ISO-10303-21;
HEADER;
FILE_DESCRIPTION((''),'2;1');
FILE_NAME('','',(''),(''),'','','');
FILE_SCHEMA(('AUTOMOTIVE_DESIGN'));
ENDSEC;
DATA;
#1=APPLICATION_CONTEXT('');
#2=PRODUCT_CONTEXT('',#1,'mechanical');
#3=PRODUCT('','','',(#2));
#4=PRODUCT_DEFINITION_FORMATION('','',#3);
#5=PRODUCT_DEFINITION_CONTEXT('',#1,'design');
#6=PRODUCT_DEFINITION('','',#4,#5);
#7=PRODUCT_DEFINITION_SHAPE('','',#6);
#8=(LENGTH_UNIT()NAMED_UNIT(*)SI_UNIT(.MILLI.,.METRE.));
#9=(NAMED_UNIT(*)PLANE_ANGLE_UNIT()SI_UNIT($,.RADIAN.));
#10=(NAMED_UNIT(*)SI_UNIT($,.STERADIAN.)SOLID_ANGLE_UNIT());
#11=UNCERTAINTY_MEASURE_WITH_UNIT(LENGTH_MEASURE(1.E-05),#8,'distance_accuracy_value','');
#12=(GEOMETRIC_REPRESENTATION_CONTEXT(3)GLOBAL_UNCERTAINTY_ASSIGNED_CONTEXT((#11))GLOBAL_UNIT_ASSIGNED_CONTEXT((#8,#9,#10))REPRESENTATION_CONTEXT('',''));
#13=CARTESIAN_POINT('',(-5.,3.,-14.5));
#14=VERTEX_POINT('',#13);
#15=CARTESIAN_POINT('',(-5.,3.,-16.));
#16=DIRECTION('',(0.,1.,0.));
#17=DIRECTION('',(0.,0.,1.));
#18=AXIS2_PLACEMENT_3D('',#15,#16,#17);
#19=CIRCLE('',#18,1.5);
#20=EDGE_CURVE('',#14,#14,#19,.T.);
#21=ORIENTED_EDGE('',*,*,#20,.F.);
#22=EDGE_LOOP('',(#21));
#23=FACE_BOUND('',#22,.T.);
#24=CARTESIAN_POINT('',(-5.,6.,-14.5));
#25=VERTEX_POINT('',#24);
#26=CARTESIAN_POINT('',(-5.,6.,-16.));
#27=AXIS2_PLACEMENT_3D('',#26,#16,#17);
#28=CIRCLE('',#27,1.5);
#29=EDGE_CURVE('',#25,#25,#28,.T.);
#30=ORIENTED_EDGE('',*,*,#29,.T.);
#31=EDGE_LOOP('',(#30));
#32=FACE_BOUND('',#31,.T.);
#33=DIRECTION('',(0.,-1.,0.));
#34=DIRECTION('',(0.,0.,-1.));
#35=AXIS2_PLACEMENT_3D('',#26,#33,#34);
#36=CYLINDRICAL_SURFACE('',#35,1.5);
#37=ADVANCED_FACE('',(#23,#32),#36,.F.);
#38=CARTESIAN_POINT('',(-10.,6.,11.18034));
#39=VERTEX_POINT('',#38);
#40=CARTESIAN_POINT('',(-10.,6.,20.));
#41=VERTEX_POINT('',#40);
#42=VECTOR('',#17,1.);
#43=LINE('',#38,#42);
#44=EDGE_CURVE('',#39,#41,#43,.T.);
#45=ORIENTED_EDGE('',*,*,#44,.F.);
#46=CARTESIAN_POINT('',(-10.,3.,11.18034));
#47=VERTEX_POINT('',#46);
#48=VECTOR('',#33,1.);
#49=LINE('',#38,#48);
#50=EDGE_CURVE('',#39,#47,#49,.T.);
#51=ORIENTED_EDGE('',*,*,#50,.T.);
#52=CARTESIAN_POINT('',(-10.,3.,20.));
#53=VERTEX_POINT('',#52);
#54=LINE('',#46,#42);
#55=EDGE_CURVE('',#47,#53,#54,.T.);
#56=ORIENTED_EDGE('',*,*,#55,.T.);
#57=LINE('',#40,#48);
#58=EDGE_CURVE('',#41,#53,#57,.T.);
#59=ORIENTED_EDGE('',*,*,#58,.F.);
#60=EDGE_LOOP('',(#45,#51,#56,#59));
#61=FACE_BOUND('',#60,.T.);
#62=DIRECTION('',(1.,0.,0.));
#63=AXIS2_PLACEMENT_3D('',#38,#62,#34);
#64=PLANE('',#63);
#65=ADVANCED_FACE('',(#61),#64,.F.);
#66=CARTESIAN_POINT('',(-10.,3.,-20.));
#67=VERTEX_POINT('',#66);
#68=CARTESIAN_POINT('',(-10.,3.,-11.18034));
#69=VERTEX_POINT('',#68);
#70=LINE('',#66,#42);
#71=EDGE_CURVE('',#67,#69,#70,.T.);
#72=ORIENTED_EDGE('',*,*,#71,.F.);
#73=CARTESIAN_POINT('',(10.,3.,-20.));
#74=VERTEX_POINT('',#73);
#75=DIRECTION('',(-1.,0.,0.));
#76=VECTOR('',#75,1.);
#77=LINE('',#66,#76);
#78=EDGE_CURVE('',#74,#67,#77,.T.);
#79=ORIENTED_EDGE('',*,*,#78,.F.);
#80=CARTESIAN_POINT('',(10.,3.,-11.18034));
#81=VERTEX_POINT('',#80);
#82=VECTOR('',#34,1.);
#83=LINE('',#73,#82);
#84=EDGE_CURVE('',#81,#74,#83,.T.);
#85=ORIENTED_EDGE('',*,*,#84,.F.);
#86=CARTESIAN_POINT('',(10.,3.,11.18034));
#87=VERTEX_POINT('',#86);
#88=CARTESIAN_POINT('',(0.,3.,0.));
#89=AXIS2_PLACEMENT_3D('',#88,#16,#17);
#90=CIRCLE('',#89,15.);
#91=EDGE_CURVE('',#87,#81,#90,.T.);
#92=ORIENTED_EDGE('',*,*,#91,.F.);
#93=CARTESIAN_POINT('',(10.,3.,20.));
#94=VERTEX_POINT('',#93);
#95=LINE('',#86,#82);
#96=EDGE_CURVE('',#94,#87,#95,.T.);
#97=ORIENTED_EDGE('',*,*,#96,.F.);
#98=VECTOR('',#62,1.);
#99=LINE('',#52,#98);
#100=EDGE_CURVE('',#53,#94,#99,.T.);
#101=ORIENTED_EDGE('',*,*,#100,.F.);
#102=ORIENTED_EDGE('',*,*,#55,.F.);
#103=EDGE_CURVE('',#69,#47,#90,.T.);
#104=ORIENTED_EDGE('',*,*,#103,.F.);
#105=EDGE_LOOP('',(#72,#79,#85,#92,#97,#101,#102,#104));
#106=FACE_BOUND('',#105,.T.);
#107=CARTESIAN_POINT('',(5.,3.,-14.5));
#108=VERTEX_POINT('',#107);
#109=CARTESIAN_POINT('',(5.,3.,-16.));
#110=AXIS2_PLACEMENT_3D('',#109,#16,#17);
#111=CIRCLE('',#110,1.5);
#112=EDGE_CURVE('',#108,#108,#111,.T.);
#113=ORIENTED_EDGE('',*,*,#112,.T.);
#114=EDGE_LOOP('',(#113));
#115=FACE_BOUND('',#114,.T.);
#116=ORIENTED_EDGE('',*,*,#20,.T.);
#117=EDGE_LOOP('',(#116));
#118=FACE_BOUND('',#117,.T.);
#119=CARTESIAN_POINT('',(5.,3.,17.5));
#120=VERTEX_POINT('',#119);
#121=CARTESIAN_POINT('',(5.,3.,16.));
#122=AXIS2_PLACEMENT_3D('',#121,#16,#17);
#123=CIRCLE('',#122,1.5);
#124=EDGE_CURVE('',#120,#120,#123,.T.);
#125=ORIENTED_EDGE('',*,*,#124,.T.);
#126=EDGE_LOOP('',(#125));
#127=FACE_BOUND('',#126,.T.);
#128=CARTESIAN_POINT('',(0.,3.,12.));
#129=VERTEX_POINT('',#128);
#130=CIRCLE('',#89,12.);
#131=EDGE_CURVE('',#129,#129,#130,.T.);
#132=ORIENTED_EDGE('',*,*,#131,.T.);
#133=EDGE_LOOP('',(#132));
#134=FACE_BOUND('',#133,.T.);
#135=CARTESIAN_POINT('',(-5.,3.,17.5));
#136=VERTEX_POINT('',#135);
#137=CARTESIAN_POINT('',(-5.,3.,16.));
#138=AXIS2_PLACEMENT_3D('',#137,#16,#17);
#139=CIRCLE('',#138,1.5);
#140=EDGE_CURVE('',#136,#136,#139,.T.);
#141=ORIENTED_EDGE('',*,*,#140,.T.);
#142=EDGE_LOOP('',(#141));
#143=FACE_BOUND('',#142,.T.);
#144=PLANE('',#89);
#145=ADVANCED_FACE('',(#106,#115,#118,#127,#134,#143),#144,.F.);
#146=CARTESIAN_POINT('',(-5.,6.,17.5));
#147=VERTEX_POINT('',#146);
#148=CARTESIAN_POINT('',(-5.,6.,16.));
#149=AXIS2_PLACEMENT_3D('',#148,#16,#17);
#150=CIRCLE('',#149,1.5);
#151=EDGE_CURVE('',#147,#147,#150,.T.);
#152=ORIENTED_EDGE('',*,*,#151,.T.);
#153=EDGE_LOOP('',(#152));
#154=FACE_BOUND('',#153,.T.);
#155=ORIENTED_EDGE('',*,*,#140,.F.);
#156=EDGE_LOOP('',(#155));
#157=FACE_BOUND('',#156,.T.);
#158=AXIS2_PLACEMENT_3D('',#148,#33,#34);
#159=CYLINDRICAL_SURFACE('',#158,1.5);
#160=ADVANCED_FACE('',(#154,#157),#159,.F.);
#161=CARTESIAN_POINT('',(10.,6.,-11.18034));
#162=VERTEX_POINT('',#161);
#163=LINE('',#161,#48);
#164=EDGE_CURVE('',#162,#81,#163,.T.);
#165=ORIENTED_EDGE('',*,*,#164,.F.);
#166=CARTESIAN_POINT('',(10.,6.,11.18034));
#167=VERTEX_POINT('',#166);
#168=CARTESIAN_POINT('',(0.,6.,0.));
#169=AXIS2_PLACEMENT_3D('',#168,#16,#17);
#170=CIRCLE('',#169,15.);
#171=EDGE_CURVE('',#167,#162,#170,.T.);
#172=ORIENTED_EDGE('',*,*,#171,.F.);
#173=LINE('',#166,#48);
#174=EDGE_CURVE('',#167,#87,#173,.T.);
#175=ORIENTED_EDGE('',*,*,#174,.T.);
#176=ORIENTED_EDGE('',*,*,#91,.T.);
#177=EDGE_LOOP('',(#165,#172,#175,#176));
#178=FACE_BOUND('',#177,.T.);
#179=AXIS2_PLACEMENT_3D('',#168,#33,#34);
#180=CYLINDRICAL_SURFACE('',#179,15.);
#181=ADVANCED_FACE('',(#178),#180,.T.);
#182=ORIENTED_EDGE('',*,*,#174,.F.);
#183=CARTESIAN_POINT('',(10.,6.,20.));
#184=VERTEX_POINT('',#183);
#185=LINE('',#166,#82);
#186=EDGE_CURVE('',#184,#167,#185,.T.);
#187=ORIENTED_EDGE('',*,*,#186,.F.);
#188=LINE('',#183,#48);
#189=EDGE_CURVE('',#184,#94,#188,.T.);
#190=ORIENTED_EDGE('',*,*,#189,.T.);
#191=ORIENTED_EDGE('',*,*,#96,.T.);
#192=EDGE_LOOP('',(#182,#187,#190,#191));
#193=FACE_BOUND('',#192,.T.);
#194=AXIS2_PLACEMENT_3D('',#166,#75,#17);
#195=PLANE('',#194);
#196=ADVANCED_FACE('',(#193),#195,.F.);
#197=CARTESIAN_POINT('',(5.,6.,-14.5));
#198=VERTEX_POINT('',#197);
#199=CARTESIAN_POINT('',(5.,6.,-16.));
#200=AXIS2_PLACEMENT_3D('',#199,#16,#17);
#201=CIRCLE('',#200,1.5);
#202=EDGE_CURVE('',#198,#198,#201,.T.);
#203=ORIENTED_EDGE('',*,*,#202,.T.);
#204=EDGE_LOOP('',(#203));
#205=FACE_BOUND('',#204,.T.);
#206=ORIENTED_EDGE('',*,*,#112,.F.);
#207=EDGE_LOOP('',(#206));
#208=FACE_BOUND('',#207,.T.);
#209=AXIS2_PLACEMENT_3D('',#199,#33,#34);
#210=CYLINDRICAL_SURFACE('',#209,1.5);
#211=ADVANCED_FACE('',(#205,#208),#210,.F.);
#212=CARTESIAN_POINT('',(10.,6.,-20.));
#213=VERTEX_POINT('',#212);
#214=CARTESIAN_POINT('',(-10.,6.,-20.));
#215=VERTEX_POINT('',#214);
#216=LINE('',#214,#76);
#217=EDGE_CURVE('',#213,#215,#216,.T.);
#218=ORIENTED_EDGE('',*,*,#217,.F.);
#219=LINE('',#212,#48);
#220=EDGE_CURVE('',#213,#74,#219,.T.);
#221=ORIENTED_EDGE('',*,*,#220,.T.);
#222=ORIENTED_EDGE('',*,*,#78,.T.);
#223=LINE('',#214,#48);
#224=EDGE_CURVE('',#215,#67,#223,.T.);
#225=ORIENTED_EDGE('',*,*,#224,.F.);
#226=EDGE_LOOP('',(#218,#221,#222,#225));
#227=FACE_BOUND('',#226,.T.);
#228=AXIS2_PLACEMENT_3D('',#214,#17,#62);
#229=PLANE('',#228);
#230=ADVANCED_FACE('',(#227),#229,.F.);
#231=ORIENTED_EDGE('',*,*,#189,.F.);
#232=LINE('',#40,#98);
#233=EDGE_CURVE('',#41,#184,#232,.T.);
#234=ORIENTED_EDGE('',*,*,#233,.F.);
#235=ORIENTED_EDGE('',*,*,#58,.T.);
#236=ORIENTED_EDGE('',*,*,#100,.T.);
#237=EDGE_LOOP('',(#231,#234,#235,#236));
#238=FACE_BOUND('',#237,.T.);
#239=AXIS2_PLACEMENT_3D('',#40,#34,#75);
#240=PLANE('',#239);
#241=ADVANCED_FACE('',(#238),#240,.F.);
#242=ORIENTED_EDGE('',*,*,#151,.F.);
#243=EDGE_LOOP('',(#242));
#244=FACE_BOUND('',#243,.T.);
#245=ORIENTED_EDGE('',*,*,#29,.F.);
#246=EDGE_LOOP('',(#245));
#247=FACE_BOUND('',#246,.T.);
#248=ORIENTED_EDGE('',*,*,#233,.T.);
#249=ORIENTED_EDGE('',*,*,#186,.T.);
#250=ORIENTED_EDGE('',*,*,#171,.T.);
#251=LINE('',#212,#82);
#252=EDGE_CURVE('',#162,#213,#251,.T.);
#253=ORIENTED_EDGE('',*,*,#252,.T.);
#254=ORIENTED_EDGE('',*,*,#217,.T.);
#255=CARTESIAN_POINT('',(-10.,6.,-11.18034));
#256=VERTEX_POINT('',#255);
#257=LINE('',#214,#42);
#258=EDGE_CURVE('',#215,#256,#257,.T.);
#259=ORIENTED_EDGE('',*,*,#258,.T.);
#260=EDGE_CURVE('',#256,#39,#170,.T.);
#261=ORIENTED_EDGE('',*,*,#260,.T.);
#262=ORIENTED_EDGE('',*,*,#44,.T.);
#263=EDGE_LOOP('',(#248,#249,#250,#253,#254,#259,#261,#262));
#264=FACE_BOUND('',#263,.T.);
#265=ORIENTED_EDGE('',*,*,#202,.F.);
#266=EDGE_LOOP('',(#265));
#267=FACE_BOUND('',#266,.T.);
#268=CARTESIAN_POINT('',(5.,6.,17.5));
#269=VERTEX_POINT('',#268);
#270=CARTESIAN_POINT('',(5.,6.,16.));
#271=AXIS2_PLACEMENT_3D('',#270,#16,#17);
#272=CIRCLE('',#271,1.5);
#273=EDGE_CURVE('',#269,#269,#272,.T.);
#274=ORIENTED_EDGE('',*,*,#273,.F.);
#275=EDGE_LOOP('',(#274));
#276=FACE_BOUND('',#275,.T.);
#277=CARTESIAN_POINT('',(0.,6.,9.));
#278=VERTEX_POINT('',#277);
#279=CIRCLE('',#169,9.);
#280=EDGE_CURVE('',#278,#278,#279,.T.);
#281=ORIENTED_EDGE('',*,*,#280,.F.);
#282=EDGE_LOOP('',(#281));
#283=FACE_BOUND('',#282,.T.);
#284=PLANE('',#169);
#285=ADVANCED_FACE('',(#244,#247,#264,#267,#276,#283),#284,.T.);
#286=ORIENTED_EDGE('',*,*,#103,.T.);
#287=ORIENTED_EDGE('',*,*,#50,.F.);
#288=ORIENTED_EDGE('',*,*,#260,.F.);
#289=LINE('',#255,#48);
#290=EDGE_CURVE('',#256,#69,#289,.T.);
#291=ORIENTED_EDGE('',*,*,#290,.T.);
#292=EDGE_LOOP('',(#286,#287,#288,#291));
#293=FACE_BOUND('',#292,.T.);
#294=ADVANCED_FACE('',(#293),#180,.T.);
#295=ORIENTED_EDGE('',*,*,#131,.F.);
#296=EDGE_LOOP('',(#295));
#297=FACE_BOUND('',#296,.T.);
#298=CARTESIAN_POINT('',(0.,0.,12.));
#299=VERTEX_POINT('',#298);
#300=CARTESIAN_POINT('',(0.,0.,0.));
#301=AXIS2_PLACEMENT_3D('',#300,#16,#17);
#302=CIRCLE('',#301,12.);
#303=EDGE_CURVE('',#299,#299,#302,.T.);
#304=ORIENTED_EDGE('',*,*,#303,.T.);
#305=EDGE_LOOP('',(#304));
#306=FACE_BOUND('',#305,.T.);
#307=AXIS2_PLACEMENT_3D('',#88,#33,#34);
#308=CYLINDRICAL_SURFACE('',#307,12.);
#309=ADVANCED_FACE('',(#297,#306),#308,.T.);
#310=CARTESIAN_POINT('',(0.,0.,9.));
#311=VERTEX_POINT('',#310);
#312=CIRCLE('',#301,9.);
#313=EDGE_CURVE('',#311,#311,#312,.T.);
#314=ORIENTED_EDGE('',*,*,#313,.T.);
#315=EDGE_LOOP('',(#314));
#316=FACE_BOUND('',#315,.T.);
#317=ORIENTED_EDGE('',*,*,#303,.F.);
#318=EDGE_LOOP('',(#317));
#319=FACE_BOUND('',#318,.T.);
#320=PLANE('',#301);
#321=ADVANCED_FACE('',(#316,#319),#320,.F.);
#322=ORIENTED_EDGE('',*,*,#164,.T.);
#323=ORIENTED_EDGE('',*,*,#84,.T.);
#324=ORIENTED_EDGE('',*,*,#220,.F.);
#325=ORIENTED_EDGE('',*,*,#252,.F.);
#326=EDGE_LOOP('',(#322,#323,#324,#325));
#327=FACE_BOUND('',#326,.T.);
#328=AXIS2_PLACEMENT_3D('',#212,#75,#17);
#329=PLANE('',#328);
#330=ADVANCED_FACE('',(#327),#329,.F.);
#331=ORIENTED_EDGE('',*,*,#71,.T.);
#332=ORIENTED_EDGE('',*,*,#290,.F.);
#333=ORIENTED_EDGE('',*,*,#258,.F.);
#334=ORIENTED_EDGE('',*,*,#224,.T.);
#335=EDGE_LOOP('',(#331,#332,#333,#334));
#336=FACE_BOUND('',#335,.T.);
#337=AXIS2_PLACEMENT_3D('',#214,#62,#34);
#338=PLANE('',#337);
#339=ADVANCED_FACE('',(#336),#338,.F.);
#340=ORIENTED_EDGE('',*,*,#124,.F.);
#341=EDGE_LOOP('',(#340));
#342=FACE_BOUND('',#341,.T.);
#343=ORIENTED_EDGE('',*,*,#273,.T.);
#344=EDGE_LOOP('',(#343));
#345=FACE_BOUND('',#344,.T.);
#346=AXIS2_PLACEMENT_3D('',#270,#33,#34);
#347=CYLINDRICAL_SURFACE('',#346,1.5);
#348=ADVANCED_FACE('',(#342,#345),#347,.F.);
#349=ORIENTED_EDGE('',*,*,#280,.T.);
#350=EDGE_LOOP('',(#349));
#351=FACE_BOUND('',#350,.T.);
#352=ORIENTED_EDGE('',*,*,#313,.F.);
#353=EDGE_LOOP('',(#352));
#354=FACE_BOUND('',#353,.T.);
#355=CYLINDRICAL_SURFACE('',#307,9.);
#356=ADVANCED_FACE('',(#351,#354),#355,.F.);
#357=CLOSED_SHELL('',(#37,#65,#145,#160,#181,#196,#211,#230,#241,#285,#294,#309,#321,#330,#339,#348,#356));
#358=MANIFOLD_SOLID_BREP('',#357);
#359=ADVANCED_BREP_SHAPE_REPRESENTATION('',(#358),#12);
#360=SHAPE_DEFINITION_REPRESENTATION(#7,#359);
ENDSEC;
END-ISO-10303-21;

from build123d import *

# Parameters (mm, degrees)
SKETCH_1_R      = 12
SKETCH_1_R_2    = 9
EXTRUDE_1_DEPTH = 3
SKETCH_2_R      = 9
SKETCH_2_R_2    = 1.5
EXTRUDE_2_DEPTH = 3


with BuildPart() as part:
    # 草图1 → 凸台-拉伸1 (new body)
    with BuildSketch(Plane(origin=(0, 0, 0), x_dir=(1, 0, 0), z_dir=(0, 1, 0))):
        with Locations(Location((0, 0, 0), (0, 0, 270))):
            Circle(SKETCH_1_R)
        with Locations(Location((0, 0, 0), (0, 0, 270))):
            Circle(SKETCH_1_R_2, mode=Mode.SUBTRACT)
    extrude(amount=EXTRUDE_1_DEPTH)

    # 草图2 → 凸台-拉伸2 (add)
    with BuildSketch(Plane(origin=(0, 3, 0), x_dir=(1, 0, 0), z_dir=(0, 1, 0))):
        with BuildLine():
            Line((-10, -11.180339887), (-10, -20))
            Line((-10, -20), (10, -20))
            Line((10, -20), (10, -11.180339887))
            ThreePointArc((10, -11.180339887), (15, 0), (10, 11.180339887))
            Line((10, 11.180339887), (10, 20))
            Line((10, 20), (-10, 20))
            Line((-10, 20), (-10, 11.180339887))
            ThreePointArc((-10, 11.180339887), (-15, 0), (-10, -11.180339887))
        make_face()
        with Locations(Location((0, 0, 0), (0, 0, 270))):
            Circle(SKETCH_2_R, mode=Mode.SUBTRACT)
        with Locations(Location((-5, 16, 0), (0, 0, 270))):
            Circle(SKETCH_2_R_2, mode=Mode.SUBTRACT)
        with Locations(Location((5, 16, 0), (0, 0, 270))):
            Circle(SKETCH_2_R_2, mode=Mode.SUBTRACT)
        with Locations(Location((-5, -16, 0), (0, 0, 270))):
            Circle(SKETCH_2_R_2, mode=Mode.SUBTRACT)
        with Locations(Location((5, -16, 0), (0, 0, 270))):
            Circle(SKETCH_2_R_2, mode=Mode.SUBTRACT)
    extrude(amount=EXTRUDE_2_DEPTH)


solid = part.part
